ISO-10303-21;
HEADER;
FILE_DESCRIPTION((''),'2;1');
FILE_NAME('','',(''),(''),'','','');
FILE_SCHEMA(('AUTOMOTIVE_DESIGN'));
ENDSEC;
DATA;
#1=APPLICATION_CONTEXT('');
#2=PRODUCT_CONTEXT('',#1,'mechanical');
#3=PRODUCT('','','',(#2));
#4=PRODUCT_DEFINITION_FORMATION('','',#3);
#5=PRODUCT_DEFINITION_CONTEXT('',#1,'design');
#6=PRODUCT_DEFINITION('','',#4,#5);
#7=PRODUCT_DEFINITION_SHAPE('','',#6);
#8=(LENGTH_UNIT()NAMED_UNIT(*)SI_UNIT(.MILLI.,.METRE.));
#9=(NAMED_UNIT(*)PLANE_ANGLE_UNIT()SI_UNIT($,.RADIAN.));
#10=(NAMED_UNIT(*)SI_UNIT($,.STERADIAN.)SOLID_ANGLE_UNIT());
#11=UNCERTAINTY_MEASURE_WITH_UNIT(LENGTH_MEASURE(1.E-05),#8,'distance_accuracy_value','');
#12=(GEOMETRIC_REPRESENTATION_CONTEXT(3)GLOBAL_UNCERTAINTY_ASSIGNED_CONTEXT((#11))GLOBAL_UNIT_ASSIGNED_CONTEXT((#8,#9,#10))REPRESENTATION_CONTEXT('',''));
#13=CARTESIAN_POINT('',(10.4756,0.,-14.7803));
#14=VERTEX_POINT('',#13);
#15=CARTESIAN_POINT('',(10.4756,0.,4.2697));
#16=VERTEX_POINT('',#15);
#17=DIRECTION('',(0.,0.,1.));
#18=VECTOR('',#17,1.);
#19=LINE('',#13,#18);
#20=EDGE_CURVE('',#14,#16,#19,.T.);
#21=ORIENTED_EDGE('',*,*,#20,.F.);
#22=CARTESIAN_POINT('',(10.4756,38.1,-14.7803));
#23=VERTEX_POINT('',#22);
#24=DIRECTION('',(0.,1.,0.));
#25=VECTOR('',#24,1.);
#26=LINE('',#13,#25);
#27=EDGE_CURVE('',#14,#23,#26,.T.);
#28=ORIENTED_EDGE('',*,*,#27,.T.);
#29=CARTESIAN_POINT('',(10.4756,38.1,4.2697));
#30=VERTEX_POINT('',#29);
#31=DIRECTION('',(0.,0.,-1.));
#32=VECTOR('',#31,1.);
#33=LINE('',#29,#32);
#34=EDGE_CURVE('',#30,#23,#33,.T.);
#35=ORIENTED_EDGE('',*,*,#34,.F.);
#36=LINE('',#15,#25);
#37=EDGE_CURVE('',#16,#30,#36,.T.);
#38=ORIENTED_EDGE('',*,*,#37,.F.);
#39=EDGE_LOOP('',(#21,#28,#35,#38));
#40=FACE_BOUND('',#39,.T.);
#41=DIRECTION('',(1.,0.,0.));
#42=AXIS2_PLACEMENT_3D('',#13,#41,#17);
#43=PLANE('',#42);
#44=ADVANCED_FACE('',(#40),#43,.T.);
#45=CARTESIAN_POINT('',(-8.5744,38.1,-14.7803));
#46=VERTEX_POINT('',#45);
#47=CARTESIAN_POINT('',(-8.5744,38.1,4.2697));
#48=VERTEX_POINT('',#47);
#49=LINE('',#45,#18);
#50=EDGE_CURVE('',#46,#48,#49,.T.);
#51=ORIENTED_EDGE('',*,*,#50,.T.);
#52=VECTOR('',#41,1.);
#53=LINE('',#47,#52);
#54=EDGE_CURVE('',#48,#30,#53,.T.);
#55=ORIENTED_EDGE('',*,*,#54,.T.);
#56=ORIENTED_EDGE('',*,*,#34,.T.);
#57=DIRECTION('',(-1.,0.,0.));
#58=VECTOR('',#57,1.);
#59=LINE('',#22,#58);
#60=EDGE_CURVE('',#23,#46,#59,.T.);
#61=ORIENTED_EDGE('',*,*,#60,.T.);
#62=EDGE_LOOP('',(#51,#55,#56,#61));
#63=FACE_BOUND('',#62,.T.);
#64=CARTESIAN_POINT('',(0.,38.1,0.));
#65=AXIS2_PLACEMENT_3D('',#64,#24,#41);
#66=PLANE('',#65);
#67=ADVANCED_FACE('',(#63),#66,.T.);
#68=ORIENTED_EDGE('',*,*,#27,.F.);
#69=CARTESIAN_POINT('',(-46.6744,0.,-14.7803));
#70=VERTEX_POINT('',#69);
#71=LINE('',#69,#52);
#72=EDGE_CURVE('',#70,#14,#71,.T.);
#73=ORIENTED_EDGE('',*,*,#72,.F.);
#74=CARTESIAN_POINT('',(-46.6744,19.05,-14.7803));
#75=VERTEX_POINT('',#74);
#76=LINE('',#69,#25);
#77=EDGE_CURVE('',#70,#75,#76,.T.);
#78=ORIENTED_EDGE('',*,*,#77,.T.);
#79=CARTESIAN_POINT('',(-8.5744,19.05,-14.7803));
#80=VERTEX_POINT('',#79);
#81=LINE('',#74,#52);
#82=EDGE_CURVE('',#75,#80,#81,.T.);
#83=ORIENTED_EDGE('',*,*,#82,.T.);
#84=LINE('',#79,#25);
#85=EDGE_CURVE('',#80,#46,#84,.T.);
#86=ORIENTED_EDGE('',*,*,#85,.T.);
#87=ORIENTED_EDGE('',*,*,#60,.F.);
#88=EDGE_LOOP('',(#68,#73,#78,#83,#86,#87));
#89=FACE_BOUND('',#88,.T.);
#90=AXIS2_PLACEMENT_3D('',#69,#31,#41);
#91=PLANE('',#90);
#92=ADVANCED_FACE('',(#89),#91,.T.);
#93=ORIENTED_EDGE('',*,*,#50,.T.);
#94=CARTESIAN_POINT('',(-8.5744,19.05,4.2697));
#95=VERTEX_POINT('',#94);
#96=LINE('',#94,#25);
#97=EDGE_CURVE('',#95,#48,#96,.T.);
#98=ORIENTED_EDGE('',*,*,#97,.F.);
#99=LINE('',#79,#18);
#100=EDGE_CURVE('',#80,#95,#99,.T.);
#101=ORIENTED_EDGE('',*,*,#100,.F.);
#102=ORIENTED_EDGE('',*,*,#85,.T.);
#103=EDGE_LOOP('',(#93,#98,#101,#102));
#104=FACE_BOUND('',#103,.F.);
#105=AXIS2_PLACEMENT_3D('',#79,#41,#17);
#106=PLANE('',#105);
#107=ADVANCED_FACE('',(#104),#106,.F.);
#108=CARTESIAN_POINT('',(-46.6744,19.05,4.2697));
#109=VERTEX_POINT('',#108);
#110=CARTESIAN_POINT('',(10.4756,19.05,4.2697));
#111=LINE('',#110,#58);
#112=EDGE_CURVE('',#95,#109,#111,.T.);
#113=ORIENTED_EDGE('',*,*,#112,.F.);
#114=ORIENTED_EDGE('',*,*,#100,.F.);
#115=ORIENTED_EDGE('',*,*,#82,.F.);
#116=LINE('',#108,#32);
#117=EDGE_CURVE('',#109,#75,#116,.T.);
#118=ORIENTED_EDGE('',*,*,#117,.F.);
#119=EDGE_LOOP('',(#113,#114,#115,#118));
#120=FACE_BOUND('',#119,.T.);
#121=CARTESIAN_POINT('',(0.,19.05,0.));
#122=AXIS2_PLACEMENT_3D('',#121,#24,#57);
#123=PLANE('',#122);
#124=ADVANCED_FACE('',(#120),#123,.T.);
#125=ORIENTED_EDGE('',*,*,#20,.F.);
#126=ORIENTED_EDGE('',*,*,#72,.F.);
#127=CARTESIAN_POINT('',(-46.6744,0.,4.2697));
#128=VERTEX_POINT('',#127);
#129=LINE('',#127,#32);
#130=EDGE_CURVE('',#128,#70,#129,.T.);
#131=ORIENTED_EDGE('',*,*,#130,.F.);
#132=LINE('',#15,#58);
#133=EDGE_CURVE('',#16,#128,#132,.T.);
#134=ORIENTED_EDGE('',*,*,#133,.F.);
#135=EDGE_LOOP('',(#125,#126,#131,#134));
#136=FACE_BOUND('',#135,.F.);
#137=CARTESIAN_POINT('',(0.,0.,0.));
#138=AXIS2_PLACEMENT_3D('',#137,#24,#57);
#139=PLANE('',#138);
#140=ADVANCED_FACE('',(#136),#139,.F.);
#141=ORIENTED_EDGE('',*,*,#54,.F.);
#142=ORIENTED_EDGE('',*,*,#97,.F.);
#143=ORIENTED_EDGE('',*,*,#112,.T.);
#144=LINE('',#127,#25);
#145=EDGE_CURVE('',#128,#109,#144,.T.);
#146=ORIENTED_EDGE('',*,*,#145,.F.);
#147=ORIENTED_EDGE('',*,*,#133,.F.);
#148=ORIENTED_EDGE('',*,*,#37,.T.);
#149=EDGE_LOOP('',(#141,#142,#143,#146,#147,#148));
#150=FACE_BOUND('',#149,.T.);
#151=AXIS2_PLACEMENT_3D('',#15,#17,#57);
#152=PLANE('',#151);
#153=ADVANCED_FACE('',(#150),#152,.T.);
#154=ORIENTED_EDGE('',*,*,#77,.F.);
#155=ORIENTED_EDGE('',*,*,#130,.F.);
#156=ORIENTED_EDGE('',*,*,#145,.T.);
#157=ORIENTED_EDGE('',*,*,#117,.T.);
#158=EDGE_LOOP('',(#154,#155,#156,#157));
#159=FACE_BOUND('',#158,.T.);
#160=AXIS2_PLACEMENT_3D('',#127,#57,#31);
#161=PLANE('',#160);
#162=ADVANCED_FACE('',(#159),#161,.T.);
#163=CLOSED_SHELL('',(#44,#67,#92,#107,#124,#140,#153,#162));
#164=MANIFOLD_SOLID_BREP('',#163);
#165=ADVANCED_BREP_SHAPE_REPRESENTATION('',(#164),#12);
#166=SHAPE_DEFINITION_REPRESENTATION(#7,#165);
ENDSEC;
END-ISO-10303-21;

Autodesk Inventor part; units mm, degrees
ref_plane "YZ Plane" through (0, 0, 0) normal (1, 0, 0) x (0, 1, 0)
ref_plane "XZ Plane" through (0, 0, 0) normal (0, 1, 0) x (-1, 0, 0)
ref_plane "XY Plane" through (0, 0, 0) normal (0, 0, 1) x (1, 0, 0)
sketch "Sketch1" plane through (0, 0, 0) normal (0, 1, 0) x (-1, 0, 0)
  line L0 (-10.4756, 4.2697) -> (46.6744, 4.2697)
  line L1 (46.6744, 4.2697) -> (46.6744, -14.7803)
  line L2 (46.6744, -14.7803) -> (-10.4756, -14.7803)
  line L3 (-10.4756, -14.7803) -> (-10.4756, 4.2697)
  point P0 (0, 0)
  dimension "d0" = 57.15
  dimension "d1" = 19.05
extrude "Extrusion1" add sketch "Sketch1" along normal blind 19.05
sketch "Sketch2" plane through (0, 19.05, 0) normal (0, 1, 0) x (1, 0, 0)
  line L0 (10.4756, 14.7803) -> (-8.5744, 14.7803)
  line L1 (-8.5744, 14.7803) -> (-8.5744, -4.2697)
  line L2 (-8.5744, -4.2697) -> (10.4756, -4.2697)
  line L3 (10.4756, -4.2697) -> (10.4756, 14.7803)
  point P0 (0, 0)
  dimension "d4" = 19.05
  dimension "d5" = 19.05
extrude "Extrusion2" add sketch "Sketch2" along normal blind 19.05
